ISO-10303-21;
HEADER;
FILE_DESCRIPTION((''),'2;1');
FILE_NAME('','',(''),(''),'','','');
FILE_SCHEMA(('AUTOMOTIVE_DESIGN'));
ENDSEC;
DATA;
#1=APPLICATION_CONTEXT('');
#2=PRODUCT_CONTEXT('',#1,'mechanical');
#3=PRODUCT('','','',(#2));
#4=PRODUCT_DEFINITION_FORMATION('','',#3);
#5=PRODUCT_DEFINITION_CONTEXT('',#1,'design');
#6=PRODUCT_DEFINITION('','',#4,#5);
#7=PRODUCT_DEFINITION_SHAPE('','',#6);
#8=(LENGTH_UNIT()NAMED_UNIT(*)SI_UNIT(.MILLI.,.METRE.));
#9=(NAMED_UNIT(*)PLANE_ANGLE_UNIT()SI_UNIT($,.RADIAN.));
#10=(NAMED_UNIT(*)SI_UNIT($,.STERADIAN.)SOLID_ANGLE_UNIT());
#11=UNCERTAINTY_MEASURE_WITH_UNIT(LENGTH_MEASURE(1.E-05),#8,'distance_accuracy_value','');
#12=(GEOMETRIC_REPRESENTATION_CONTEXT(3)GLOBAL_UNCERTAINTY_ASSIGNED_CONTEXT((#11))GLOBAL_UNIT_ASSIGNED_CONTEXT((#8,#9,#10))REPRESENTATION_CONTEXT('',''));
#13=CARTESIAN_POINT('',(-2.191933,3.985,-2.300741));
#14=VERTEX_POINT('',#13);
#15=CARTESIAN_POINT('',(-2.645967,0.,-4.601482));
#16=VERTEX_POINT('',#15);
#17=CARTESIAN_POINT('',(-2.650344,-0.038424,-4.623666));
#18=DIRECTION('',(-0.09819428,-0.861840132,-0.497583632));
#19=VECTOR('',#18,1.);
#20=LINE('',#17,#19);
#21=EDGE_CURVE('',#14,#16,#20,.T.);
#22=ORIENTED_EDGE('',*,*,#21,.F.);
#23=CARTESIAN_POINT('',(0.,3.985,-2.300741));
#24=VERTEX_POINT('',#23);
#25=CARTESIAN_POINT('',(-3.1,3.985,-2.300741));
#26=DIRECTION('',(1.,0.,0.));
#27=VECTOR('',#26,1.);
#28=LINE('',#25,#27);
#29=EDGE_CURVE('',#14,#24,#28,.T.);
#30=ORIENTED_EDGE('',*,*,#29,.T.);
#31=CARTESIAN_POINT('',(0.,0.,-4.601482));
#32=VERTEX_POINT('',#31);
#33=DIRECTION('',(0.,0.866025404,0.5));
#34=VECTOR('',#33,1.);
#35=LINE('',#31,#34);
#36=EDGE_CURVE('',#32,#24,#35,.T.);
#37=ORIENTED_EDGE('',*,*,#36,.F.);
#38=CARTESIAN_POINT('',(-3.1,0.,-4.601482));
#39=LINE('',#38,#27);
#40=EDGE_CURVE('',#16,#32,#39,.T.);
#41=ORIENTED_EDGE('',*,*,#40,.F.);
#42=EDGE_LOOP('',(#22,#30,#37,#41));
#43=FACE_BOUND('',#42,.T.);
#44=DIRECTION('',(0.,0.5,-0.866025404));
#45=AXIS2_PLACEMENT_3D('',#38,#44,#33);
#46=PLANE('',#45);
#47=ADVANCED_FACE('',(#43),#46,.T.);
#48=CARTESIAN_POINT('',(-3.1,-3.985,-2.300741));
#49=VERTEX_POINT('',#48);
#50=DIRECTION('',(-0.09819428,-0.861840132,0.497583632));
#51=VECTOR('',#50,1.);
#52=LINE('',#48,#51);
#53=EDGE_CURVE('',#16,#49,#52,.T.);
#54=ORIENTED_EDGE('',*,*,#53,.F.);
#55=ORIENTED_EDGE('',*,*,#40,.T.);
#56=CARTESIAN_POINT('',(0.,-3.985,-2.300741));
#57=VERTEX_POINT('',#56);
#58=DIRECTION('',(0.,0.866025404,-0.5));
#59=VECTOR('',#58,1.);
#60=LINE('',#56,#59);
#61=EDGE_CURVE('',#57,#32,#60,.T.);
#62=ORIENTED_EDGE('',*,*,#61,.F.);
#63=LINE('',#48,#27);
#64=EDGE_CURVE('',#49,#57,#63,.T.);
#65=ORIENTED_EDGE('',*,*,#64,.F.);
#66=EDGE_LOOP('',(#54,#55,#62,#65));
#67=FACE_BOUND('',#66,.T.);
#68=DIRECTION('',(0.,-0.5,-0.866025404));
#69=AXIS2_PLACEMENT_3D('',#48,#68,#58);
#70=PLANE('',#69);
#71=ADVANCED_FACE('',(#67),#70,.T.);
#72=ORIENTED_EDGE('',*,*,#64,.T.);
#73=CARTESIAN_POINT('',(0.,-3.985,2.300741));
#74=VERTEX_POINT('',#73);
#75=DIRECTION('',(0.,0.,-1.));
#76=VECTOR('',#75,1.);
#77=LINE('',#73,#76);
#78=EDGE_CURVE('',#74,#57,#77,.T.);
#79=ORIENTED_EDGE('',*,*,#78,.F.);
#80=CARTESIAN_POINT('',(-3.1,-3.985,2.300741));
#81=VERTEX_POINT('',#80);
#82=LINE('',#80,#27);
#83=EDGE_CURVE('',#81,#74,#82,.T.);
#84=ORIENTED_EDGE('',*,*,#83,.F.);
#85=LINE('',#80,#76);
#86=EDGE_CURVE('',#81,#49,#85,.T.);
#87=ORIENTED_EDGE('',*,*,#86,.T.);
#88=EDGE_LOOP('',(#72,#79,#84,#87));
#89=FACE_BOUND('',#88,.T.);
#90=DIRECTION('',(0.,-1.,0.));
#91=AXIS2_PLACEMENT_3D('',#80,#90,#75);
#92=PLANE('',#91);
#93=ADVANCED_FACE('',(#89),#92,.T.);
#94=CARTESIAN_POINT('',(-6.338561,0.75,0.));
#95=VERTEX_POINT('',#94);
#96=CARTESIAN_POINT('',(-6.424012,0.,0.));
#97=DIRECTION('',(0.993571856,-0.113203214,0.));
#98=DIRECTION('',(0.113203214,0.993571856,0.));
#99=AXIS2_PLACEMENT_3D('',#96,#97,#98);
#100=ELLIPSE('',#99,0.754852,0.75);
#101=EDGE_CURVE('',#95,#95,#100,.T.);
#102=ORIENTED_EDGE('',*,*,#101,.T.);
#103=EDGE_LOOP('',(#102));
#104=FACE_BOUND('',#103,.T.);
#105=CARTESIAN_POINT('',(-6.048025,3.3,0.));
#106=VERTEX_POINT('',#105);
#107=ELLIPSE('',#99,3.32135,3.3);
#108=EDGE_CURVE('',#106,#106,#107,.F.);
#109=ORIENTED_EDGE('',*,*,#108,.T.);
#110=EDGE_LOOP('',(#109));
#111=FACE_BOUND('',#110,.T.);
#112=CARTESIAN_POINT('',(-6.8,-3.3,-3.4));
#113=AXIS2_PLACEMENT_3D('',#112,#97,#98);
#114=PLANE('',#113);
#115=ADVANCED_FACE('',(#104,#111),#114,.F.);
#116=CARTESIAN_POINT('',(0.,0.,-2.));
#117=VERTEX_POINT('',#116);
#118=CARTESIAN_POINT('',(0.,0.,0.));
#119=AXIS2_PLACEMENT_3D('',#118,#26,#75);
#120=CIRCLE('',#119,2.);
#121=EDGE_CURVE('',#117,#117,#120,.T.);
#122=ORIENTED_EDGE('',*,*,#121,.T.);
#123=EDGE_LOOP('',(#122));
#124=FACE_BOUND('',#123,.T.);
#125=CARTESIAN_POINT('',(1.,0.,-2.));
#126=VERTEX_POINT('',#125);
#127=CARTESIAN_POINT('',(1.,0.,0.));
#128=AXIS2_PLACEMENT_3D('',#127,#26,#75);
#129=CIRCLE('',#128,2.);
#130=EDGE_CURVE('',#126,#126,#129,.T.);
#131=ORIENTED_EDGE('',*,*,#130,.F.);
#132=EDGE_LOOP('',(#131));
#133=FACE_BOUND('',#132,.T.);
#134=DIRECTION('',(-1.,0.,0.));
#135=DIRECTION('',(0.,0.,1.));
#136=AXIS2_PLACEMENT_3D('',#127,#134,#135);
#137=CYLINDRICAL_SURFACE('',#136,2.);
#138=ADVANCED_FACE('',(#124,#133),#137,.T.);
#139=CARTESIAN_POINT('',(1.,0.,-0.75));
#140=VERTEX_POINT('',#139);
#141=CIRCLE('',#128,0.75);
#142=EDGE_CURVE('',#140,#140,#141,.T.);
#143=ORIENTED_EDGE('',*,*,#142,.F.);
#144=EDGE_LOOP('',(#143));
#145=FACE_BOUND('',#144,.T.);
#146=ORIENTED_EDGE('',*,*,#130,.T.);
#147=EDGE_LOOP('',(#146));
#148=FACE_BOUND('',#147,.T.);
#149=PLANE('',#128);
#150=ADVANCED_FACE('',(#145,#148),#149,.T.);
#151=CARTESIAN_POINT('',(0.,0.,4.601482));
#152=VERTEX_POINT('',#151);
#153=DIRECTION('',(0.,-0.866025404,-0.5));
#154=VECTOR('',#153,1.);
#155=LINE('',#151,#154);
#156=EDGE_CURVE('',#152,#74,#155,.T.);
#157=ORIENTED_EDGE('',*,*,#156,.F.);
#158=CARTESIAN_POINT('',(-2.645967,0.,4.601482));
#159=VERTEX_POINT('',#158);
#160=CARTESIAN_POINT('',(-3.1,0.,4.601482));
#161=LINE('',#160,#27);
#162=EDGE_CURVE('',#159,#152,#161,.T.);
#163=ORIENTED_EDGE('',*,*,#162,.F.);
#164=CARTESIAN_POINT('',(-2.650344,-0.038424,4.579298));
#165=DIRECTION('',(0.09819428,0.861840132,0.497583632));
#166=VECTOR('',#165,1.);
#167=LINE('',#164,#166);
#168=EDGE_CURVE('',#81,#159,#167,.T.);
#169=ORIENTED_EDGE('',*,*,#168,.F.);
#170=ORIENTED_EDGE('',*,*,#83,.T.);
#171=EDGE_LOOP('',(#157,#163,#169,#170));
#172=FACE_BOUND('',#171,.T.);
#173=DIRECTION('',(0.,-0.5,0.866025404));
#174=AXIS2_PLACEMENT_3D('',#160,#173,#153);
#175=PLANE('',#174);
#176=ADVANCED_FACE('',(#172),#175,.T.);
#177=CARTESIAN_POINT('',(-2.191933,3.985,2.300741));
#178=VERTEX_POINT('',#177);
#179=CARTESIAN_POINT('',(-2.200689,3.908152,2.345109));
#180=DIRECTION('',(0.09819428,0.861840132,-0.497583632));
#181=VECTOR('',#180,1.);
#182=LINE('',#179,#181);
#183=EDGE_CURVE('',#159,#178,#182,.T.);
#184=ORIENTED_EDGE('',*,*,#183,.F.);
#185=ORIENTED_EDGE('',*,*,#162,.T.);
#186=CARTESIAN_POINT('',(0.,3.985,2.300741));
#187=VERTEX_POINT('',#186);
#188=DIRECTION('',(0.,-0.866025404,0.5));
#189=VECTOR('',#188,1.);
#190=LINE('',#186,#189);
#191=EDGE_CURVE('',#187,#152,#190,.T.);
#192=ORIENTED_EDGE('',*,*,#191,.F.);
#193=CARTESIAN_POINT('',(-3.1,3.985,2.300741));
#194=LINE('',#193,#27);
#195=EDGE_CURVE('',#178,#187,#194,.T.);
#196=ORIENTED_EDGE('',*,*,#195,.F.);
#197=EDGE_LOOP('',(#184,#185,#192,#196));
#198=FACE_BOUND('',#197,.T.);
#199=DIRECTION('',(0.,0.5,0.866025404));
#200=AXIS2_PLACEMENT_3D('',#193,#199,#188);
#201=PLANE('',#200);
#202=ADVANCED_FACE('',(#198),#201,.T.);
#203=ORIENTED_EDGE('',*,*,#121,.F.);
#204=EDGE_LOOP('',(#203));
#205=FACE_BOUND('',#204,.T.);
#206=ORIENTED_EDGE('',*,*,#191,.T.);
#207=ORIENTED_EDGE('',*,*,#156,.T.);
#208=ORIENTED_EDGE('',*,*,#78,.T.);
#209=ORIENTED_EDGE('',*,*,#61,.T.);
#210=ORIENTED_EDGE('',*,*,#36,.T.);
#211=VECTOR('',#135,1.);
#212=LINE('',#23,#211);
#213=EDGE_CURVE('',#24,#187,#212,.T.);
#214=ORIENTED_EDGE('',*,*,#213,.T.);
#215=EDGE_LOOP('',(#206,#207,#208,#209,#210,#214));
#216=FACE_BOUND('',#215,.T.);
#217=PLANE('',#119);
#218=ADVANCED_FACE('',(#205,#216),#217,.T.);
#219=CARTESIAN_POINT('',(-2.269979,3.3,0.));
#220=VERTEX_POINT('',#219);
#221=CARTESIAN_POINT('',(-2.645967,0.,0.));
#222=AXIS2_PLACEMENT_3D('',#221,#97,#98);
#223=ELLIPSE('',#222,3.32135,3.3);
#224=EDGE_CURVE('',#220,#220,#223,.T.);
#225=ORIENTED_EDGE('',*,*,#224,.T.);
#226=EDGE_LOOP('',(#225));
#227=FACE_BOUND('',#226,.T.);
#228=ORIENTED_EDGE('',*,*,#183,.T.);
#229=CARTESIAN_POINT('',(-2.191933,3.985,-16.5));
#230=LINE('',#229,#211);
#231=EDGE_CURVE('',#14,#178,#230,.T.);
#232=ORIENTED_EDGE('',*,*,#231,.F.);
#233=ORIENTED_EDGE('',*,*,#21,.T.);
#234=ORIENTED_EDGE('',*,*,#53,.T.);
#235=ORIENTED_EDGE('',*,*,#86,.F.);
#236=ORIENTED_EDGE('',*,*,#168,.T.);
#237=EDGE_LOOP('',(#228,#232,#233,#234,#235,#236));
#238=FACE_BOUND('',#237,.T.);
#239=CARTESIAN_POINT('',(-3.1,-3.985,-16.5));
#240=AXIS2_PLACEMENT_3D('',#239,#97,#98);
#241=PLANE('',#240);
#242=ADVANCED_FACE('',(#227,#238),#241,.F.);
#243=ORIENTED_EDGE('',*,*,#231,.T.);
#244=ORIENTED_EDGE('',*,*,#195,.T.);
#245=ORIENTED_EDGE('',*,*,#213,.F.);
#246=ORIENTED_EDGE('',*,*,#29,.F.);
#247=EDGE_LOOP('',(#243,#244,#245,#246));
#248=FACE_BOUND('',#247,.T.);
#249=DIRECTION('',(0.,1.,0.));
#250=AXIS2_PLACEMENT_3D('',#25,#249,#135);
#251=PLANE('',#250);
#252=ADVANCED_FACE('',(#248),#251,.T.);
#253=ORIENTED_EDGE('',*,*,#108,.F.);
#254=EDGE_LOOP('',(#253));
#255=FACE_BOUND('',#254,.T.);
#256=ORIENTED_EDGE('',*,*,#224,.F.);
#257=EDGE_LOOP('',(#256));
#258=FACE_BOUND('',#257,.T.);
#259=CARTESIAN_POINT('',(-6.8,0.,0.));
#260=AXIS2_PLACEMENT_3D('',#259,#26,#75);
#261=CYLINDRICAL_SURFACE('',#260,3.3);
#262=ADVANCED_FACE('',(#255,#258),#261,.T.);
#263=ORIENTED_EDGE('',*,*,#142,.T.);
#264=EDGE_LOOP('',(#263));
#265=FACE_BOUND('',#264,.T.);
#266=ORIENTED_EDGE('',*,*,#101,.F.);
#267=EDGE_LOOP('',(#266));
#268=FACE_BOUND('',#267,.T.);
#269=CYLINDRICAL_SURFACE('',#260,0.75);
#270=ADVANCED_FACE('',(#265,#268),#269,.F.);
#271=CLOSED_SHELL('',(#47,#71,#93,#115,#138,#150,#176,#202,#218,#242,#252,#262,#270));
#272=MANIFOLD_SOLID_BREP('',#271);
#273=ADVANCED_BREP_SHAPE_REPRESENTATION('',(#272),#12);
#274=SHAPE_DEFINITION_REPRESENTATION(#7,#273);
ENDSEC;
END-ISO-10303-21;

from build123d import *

# Parameters (mm, degrees)
SALIENTE_EXTRUIR1_DEPTH = 3.1
CORTAR_EXTRUIR1_DEPTH   = 16.5
CROQUIS3_R              = 3.3
SALIENTE_EXTRUIR2_DEPTH = 6.8
CORTAR_EXTRUIR2_DEPTH   = 3.4
CROQUIS5_R              = 2
SALIENTE_EXTRUIR3_DEPTH = 1
CROQUIS6_R              = 0.75
CORTAR_EXTRUIR3_DEPTH   = 10.894132521


with BuildPart() as part:
    # Croquis1 → Saliente-Extruir1 (new body)
    with BuildSketch(Plane(origin=(0, 0, 0), x_dir=(0, 0, -1), z_dir=(1, 0, 0))):
        Polygon((-4.601481645, 0), (-2.300740823, -3.985), (2.300740823, -3.985), (4.601481645, 0), (2.300740823, 3.985), (-2.300740823, 3.985), align=None)
    extrude(amount=-SALIENTE_EXTRUIR1_DEPTH)

    # Croquis2 → Cortar-Extruir1 (cut, symmetric)
    with BuildSketch(Plane.XY):
        Polygon((-3.1, -3.985), (-2.191933202, 3.985), (-3.527931865, 3.985), align=None)
    extrude(amount=CORTAR_EXTRUIR1_DEPTH, both=True, mode=Mode.SUBTRACT)

    # Croquis3 → Saliente-Extruir2 (add)
    with BuildSketch(Plane(origin=(0, 0, 0), x_dir=(0, 0, -1), z_dir=(1, 0, 0))):
        Circle(CROQUIS3_R)
    extrude(amount=-SALIENTE_EXTRUIR2_DEPTH)

    # Croquis4 → Cortar-Extruir2 (cut, symmetric)
    with BuildSketch(Plane.XY):
        Polygon((-6.8, -3.3), (-6.048024985, 3.3), (-6.8, 3.3), align=None)
    extrude(amount=CORTAR_EXTRUIR2_DEPTH, both=True, mode=Mode.SUBTRACT)

    # Croquis5 → Saliente-Extruir3 (add)
    with BuildSketch(Plane(origin=(0, 0, 0), x_dir=(0, 0, -1), z_dir=(1, 0, 0))):
        Circle(CROQUIS5_R)
    extrude(amount=SALIENTE_EXTRUIR3_DEPTH)

    # Croquis6 → Cortar-Extruir3 (cut, through all)
    with BuildSketch(Plane(origin=(1, 0, 0), x_dir=(0, 0, -1), z_dir=(1, 0, 0))):
        Circle(CROQUIS6_R)
    extrude(amount=-CORTAR_EXTRUIR3_DEPTH, mode=Mode.SUBTRACT)


solid = part.part
